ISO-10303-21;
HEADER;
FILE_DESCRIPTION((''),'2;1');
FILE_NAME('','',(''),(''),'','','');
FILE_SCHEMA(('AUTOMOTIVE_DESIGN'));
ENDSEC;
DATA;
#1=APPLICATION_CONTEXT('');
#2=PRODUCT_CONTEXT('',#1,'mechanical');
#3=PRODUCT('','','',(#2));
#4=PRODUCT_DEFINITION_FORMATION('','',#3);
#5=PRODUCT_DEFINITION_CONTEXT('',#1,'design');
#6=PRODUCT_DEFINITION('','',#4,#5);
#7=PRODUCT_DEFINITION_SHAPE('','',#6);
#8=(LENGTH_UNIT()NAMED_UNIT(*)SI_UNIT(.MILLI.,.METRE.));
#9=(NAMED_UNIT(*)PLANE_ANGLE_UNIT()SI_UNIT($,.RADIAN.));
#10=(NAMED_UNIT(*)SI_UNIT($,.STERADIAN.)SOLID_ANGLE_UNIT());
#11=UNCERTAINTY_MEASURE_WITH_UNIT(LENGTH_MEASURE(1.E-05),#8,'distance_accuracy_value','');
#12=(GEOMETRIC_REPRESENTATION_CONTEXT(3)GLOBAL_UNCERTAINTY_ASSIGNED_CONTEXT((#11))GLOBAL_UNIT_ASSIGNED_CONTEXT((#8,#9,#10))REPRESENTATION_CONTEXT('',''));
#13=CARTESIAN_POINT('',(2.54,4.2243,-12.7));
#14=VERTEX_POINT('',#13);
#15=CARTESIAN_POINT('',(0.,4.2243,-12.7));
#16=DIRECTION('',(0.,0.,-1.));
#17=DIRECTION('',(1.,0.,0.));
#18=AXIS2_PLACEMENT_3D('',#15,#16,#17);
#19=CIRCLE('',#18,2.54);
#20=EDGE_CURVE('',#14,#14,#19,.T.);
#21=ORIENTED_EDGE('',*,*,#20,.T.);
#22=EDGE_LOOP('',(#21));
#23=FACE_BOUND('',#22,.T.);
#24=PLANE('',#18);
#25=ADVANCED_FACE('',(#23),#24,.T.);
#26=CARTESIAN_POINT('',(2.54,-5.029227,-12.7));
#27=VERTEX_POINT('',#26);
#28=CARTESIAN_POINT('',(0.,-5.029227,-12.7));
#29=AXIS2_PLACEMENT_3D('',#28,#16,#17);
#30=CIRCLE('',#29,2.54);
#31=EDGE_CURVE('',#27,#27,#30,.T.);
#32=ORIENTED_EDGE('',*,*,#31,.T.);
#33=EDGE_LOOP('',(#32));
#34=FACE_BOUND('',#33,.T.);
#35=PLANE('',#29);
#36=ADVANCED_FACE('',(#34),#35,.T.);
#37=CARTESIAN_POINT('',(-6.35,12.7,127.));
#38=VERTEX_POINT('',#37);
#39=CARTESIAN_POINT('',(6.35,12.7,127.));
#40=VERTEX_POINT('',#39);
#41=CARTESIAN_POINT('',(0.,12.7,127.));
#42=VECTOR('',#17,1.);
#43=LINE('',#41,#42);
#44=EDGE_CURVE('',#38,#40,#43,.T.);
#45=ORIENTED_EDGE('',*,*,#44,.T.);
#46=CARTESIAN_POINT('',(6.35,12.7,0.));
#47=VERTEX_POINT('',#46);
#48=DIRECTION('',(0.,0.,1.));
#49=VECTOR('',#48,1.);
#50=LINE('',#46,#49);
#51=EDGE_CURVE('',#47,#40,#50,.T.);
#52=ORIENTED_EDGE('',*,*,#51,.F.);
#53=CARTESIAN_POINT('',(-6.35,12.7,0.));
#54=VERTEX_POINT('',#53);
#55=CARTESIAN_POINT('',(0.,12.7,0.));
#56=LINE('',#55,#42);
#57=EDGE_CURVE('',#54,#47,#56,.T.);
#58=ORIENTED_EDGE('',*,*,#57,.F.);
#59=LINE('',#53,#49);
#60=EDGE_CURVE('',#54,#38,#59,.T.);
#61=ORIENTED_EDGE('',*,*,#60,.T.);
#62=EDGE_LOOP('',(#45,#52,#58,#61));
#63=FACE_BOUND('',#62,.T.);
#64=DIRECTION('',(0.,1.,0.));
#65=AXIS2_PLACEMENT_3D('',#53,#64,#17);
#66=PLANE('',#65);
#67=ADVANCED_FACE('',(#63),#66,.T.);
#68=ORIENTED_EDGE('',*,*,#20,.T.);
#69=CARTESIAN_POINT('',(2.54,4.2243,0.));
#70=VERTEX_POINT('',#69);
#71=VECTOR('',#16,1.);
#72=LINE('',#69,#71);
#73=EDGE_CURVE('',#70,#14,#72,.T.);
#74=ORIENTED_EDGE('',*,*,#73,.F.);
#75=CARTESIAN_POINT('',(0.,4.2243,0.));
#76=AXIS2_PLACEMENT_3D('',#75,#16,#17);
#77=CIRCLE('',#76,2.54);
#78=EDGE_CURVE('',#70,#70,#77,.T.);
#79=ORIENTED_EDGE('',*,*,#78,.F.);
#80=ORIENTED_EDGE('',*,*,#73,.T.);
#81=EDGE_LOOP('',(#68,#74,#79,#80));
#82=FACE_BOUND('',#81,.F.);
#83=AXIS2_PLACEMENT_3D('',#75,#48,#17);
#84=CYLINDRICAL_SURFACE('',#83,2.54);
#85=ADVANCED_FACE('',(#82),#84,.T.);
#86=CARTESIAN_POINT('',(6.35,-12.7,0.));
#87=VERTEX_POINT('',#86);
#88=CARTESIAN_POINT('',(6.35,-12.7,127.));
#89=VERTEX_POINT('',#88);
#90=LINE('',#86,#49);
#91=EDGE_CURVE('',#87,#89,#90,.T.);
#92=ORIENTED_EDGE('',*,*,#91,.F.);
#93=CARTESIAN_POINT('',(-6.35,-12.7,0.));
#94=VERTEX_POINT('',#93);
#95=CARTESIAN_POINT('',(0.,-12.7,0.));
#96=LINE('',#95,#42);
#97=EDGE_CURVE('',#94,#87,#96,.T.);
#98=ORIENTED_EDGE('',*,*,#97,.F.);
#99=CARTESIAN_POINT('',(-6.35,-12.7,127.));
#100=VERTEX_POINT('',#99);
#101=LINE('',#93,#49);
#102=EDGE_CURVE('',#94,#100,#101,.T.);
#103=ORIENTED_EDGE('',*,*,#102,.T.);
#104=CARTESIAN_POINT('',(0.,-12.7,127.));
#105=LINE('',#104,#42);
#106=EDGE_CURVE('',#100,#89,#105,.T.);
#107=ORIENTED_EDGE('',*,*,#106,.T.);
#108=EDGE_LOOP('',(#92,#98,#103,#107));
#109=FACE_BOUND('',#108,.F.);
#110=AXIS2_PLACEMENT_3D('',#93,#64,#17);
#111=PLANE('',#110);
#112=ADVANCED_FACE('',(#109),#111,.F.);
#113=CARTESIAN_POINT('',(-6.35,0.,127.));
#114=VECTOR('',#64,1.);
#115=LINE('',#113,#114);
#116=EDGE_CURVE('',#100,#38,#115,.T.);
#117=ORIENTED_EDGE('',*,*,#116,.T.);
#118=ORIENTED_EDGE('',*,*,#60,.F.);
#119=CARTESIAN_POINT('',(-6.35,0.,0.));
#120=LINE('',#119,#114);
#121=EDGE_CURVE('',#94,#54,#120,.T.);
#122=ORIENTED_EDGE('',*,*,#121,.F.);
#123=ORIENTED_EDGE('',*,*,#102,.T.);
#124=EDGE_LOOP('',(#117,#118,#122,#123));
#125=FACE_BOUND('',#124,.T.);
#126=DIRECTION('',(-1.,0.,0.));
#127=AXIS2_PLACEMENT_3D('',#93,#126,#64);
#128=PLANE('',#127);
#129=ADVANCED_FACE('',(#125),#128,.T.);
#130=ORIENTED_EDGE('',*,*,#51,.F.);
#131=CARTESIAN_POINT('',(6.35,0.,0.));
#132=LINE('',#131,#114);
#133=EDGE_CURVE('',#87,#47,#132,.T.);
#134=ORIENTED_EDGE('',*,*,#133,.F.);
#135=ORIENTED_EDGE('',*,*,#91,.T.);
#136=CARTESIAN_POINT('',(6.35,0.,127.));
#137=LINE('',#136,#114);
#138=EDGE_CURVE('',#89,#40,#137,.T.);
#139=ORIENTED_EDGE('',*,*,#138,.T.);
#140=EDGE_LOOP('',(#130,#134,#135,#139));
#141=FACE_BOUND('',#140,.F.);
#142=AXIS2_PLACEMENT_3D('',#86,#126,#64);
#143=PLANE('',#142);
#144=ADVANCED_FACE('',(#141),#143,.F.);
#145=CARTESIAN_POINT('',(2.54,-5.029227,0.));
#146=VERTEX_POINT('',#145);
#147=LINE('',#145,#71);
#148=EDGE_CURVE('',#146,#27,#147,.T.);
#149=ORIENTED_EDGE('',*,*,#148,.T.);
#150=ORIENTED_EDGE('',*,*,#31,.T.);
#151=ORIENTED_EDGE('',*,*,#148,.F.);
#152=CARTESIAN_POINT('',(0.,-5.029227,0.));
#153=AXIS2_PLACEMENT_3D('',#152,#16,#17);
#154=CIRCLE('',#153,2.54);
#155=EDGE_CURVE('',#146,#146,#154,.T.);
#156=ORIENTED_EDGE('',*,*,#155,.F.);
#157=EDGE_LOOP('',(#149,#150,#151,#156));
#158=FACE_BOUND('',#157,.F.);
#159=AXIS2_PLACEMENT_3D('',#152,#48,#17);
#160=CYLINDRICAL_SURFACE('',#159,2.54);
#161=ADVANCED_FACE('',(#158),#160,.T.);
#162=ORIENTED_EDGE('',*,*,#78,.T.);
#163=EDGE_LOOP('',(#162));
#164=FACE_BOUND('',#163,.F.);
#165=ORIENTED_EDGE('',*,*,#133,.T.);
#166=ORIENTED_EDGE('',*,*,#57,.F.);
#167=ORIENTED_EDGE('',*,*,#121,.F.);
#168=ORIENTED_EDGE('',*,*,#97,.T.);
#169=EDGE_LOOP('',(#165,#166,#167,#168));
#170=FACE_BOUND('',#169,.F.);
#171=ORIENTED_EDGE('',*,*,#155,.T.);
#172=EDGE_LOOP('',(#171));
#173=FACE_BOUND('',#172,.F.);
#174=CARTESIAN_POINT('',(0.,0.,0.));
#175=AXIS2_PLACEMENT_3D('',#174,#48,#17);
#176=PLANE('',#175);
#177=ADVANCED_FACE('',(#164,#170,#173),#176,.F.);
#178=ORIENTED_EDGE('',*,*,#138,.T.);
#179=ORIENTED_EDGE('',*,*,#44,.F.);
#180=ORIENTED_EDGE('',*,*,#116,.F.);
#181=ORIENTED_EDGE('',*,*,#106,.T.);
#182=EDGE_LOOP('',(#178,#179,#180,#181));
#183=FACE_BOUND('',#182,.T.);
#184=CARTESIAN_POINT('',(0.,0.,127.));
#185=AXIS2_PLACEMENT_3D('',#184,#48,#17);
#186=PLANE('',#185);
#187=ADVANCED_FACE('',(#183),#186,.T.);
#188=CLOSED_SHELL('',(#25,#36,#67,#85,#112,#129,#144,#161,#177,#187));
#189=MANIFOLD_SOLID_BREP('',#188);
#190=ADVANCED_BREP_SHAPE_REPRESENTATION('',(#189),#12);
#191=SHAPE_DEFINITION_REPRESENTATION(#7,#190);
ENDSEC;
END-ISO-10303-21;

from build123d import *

# Parameters (mm, degrees)
F0_W     = 12.7
F0_H     = 25.4
F1_DEPTH = 127
F2_R     = 2.54
F3_DEPTH = 12.7


with BuildPart() as f1:
    # F0 (on Top) → F1 (new body)
    with BuildSketch(Plane.XY):
        Rectangle(F0_W, F0_H)
    extrude(amount=F1_DEPTH)

    # F2 (on face) → F3 (join)
    with BuildSketch(Plane(origin=(0, 0, 0), x_dir=(1, 0, 0), z_dir=(0, 0, -1))):
        with Locations((0, 5.029227)):
            Circle(F2_R)
        with Locations((0, -4.2243)):
            Circle(F2_R)
    extrude(amount=F3_DEPTH)


solid = f1.part
